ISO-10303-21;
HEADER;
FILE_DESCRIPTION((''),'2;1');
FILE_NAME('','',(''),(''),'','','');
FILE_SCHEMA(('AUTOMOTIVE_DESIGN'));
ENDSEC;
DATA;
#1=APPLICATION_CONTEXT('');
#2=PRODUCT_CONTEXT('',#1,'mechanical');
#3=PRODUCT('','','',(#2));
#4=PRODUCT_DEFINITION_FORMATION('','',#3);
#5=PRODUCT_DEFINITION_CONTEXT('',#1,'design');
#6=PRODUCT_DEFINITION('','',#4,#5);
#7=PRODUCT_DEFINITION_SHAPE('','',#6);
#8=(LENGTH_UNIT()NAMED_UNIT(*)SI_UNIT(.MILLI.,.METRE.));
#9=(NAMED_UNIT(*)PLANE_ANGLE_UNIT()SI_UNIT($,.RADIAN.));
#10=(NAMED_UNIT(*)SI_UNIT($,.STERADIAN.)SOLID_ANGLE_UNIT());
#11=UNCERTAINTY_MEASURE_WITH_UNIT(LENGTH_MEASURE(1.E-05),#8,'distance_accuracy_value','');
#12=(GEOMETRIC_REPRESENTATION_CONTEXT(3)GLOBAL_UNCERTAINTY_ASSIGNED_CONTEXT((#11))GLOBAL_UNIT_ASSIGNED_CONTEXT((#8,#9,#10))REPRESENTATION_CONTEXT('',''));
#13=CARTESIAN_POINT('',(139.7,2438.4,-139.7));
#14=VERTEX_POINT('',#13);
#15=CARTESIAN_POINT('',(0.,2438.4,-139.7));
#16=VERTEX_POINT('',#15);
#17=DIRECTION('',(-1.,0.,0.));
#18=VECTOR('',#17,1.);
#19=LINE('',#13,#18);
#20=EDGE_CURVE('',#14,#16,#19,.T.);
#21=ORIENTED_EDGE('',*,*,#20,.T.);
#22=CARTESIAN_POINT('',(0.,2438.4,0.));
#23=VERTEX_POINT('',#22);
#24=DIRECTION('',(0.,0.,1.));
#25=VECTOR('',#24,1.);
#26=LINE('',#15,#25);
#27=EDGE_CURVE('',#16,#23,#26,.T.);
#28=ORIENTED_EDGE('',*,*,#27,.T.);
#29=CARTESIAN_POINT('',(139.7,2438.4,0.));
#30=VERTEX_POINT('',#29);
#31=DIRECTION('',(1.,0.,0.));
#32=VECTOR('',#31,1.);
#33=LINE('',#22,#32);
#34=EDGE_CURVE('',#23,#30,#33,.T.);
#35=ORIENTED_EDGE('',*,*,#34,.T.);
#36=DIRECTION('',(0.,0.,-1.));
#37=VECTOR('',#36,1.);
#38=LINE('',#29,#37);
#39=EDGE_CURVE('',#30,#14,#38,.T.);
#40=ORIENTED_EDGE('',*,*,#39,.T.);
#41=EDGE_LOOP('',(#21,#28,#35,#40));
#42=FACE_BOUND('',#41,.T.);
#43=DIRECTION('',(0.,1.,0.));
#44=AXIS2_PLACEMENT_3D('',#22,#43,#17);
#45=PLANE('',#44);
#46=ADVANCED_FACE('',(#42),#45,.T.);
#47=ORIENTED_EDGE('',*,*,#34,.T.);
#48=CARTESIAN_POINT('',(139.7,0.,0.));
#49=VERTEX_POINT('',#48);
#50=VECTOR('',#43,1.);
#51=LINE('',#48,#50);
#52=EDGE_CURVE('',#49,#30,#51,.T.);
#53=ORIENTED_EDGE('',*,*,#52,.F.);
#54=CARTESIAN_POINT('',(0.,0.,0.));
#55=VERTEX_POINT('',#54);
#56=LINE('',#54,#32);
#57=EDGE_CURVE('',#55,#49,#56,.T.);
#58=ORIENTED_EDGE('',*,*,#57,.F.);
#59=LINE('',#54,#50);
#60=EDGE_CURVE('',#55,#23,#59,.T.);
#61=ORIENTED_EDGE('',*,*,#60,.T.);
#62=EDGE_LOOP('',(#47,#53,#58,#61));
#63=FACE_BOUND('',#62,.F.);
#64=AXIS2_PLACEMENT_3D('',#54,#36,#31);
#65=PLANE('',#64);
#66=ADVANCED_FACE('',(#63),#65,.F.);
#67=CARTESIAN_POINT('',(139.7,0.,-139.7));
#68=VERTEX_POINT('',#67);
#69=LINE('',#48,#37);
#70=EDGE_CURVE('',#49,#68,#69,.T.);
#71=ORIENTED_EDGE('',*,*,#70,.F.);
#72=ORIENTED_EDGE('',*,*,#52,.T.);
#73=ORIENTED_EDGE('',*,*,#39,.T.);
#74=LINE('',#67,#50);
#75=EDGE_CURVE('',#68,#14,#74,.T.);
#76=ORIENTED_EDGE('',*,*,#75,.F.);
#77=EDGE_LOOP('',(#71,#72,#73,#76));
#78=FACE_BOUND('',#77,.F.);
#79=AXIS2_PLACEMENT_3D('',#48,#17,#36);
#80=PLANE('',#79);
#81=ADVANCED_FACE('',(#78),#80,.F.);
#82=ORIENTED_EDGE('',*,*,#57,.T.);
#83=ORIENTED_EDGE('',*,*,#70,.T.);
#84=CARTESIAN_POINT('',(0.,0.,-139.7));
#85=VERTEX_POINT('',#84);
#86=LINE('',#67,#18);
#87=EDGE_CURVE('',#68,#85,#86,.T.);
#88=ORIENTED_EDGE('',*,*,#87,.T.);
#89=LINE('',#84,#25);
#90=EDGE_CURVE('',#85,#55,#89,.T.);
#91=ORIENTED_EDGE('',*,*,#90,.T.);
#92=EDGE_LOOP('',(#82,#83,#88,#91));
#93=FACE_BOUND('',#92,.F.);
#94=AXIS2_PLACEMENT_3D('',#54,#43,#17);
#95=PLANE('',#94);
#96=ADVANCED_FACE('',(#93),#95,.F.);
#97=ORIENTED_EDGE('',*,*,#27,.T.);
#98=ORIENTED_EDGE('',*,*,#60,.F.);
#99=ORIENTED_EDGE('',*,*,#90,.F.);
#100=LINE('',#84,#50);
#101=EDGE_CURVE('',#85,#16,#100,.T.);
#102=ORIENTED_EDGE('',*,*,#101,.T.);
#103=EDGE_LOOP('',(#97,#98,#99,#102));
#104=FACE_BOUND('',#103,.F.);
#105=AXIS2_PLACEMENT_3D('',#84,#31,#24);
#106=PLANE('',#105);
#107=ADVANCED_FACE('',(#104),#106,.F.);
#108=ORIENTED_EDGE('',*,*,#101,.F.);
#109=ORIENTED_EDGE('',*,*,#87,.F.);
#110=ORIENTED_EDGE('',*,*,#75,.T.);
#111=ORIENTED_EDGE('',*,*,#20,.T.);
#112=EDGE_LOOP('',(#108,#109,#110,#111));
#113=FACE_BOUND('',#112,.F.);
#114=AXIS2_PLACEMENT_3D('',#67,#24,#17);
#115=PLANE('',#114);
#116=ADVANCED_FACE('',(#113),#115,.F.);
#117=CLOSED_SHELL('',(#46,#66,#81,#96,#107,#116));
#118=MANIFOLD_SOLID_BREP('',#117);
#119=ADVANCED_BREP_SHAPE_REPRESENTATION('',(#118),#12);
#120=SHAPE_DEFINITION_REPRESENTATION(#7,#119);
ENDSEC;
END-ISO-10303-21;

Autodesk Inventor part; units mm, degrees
ref_plane "YZ Plane" through (0, 0, 0) normal (1, 0, 0) x (0, 1, 0)
ref_plane "XZ Plane" through (0, 0, 0) normal (0, 1, 0) x (-1, 0, 0)
ref_plane "XY Plane" through (0, 0, 0) normal (0, 0, 1) x (1, 0, 0)
sketch "Sketch1" plane through (0, 0, 0) normal (0, 1, 0) x (-1, 0, 0)
  line L0 (0, 0) -> (-139.7, 0)
  line L1 (-139.7, 0) -> (-139.7, -139.7)
  line L2 (-139.7, -139.7) -> (0, -139.7)
  line L3 (0, -139.7) -> (0, 0)
  dimension "d0" = 139.7
  dimension "d1" = 139.7
extrude "Extrusion1" add sketch "Sketch1" along normal blind 2438.4
properties part number "Post"
